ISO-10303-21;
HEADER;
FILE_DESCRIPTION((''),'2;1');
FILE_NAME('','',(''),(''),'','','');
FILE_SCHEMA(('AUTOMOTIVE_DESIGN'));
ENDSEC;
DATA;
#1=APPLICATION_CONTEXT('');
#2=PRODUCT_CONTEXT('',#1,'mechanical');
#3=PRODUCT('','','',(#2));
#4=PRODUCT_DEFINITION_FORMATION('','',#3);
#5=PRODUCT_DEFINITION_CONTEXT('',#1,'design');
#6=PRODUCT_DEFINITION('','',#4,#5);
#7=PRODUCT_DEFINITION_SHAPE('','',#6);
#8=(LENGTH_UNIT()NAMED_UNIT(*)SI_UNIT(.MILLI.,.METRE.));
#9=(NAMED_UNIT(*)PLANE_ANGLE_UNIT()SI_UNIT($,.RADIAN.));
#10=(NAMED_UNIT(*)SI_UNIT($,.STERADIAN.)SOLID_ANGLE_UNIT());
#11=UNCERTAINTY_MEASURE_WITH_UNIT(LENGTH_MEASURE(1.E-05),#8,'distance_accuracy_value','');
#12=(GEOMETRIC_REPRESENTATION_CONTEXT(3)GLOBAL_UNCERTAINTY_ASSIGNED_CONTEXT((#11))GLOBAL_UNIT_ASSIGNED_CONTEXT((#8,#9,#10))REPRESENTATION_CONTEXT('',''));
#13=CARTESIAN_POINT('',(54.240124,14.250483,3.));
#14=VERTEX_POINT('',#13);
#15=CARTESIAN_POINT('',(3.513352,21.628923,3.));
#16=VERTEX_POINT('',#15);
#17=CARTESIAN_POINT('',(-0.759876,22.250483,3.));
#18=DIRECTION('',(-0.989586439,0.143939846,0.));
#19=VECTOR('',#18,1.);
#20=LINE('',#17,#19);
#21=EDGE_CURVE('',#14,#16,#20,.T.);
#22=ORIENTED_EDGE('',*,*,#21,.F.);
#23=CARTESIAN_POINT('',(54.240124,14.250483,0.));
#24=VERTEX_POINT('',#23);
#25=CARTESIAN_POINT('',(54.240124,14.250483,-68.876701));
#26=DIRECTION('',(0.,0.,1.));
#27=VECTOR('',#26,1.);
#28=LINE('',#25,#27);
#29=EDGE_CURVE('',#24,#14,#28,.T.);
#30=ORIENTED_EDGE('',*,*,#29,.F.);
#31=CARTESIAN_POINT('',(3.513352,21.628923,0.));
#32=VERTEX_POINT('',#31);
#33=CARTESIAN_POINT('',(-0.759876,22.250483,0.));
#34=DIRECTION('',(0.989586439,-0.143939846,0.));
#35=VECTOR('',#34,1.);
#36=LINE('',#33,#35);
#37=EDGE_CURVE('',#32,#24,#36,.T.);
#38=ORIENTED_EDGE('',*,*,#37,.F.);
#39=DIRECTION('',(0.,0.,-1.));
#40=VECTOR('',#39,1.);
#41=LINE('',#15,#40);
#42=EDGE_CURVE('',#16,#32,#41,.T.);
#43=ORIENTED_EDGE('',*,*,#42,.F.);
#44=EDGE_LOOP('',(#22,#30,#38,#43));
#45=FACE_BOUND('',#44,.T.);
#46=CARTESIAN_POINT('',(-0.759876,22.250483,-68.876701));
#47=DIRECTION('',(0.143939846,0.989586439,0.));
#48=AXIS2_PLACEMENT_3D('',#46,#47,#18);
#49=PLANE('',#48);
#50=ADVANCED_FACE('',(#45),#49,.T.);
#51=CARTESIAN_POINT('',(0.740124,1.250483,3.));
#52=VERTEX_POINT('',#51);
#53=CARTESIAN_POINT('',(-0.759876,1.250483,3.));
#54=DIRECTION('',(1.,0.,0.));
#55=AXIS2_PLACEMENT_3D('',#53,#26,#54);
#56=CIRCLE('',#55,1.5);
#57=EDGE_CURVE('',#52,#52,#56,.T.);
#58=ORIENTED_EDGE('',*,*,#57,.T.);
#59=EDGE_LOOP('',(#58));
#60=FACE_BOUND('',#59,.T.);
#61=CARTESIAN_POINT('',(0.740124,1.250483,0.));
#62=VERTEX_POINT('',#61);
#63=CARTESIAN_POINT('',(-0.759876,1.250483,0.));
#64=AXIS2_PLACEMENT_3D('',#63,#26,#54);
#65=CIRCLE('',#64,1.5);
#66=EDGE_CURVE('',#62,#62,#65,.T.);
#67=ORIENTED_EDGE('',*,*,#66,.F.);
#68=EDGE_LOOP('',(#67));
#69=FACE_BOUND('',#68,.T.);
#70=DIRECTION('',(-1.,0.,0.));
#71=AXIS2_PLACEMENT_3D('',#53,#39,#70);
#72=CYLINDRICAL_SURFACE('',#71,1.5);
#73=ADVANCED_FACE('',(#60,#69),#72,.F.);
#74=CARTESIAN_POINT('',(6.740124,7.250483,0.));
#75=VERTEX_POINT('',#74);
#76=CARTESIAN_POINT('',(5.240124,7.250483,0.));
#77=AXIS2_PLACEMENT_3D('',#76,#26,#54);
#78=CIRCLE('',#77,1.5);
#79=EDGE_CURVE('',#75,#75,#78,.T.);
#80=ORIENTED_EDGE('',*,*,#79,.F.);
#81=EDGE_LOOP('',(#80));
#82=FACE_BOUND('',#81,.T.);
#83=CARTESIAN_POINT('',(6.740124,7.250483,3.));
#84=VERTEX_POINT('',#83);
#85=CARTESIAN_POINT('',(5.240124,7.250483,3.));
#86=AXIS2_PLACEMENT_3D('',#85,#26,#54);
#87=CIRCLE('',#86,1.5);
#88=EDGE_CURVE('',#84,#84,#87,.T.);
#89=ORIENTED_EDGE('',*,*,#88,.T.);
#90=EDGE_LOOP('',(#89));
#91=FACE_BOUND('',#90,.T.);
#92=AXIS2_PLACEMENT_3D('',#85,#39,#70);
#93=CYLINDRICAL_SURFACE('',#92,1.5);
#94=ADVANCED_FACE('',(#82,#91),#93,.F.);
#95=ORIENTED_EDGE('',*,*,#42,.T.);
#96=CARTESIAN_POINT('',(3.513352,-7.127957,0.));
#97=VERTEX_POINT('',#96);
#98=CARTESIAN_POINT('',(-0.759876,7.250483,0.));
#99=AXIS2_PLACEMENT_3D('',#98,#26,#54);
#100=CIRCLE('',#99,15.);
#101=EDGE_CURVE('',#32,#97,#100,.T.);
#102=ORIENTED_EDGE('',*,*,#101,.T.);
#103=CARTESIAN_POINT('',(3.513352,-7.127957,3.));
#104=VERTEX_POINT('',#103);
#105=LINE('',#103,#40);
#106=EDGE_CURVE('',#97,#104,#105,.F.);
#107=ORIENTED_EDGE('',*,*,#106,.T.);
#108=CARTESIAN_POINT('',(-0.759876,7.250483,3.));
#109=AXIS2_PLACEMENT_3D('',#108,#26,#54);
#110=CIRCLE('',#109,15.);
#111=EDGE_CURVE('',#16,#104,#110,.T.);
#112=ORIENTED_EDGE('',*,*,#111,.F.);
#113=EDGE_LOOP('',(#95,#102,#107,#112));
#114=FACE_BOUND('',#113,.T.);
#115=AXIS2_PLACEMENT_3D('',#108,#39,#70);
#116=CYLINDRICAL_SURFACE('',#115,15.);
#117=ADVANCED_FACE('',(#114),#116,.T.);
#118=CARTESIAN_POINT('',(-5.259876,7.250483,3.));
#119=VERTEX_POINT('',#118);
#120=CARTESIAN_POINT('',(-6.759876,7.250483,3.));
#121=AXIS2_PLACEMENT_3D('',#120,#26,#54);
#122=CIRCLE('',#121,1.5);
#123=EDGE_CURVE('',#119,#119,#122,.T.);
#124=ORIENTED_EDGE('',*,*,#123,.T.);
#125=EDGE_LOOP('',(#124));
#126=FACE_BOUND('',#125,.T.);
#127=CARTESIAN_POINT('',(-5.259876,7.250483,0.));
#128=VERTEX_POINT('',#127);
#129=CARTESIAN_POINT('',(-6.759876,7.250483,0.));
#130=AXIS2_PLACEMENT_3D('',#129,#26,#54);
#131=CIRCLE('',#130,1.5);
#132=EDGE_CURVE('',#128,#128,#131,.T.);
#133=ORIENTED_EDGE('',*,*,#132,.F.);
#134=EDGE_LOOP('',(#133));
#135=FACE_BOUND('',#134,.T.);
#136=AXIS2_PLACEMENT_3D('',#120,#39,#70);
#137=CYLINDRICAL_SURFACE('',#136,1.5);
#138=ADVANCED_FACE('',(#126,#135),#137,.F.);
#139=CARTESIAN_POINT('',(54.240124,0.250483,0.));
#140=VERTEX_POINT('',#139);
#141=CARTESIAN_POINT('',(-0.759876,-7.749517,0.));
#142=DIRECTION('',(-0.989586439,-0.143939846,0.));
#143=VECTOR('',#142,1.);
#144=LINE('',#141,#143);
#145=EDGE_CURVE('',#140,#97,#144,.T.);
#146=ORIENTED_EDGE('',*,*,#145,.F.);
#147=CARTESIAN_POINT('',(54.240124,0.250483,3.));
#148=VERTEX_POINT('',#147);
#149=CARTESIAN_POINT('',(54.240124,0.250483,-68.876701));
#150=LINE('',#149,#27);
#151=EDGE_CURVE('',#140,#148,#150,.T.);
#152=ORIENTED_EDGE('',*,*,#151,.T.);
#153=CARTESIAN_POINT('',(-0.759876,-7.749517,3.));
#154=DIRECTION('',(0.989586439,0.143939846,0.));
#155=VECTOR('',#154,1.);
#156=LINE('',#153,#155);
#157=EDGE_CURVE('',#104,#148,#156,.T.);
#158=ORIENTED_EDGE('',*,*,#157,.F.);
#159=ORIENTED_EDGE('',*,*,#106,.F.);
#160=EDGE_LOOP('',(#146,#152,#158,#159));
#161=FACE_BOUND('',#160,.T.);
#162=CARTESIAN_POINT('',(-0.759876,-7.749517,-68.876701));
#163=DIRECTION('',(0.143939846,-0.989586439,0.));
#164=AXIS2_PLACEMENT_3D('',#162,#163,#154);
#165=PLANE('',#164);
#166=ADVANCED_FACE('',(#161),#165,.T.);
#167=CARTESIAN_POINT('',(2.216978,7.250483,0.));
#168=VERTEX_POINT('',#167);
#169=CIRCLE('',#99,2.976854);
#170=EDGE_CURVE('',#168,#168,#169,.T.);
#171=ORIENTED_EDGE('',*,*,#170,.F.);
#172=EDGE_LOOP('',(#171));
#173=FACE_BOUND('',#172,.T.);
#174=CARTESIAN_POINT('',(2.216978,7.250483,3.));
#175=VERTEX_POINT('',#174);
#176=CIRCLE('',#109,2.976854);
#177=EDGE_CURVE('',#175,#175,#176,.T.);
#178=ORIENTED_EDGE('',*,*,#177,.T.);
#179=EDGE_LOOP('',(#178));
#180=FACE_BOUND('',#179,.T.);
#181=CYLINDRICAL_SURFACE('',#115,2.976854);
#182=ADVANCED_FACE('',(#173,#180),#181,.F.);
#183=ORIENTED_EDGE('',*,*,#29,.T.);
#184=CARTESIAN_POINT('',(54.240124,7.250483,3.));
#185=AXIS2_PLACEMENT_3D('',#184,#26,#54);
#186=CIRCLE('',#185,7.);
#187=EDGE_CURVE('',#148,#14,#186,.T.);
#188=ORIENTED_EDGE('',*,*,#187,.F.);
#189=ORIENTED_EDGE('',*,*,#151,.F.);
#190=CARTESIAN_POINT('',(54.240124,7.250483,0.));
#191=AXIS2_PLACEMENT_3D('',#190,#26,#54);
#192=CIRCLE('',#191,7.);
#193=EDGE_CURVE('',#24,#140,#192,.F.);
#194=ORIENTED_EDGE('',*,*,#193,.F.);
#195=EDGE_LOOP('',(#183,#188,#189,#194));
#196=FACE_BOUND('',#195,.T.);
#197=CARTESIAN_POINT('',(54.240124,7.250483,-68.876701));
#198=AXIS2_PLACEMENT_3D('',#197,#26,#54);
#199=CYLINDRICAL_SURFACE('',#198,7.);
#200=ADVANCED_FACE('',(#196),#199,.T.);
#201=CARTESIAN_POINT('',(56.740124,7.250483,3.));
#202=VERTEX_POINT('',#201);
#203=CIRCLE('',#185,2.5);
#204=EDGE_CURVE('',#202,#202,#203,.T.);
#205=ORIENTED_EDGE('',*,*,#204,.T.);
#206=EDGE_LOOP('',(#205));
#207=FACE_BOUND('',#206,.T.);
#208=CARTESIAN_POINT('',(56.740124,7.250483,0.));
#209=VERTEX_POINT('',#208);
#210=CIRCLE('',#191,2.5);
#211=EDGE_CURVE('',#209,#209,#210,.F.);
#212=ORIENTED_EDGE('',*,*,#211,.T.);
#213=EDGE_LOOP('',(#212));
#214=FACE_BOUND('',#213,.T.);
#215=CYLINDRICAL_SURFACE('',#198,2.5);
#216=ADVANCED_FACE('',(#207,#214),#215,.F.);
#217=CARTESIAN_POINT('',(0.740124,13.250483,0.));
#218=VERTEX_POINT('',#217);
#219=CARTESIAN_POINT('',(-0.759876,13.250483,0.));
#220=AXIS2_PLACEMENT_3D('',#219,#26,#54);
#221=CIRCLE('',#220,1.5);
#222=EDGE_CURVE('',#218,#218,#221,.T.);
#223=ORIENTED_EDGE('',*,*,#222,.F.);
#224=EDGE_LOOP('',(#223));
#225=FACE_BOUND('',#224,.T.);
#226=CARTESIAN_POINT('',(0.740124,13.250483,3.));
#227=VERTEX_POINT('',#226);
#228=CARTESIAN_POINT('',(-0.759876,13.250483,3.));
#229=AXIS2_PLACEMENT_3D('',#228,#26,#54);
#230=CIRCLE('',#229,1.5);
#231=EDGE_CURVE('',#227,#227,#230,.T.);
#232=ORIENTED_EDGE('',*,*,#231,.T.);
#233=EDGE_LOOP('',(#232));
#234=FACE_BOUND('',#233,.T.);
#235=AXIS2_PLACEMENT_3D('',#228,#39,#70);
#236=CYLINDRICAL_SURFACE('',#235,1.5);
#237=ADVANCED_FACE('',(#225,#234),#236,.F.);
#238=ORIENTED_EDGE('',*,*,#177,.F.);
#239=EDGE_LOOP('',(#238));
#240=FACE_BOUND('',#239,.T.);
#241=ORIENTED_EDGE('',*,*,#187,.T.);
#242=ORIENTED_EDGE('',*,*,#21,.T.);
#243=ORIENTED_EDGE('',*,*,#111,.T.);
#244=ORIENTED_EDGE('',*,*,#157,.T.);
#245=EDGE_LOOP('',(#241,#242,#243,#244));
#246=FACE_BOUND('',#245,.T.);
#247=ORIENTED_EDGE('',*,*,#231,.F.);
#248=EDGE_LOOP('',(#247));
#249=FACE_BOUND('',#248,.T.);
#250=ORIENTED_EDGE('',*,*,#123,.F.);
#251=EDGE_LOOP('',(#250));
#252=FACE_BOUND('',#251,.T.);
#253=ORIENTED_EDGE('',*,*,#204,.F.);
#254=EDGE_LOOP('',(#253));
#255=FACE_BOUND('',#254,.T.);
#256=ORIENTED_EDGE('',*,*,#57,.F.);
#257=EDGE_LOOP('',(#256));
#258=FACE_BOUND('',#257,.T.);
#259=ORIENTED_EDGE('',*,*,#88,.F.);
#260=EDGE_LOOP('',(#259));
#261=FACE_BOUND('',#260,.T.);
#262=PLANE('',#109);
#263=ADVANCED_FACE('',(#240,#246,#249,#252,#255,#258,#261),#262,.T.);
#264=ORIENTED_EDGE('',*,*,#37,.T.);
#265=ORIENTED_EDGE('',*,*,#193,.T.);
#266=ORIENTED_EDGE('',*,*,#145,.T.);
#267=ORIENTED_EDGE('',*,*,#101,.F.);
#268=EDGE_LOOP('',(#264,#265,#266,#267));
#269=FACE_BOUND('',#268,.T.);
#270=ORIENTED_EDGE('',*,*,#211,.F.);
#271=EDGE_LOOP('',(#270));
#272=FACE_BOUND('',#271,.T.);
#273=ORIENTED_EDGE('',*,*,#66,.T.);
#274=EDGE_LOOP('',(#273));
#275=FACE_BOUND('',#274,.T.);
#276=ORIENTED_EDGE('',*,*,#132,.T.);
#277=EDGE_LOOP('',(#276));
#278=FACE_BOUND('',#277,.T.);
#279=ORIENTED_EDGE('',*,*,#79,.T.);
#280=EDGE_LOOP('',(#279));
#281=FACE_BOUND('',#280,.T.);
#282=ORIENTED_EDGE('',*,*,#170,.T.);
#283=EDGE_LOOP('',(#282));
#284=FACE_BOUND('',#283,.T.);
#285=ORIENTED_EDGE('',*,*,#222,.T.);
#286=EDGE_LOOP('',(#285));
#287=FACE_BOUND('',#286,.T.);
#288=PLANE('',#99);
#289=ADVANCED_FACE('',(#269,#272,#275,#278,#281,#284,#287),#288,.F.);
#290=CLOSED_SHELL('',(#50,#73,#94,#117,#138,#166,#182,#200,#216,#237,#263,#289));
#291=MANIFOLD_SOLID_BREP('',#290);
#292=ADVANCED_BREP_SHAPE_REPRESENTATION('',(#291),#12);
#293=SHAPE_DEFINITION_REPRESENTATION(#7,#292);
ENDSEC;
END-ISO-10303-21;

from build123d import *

# Parameters (mm, degrees)
SKETCH1_R           = 15
SKETCH1_R_2         = 2.976854353
SKETCH1_R_3         = 1.5
BOSS_EXTRUDE1_DEPTH = 3
SKETCH2_R           = 2.5
BOSS_EXTRUDE2_DEPTH = 3


with BuildPart() as part:
    # Sketch1 → Boss-Extrude1 (new body)
    with BuildSketch(Plane.XY):
        with Locations((-0.759875944, 7.250482965)):
            Circle(SKETCH1_R)
        with Locations((-0.759875944, 7.250482965)):
            Circle(SKETCH1_R_2, mode=Mode.SUBTRACT)
        with Locations((-0.759875944, 13.250482965)):
            Circle(SKETCH1_R_3, mode=Mode.SUBTRACT)
        with Locations((-6.759875944, 7.250482965)):
            Circle(SKETCH1_R_3, mode=Mode.SUBTRACT)
        with Locations((-0.759875944, 1.250482965)):
            Circle(SKETCH1_R_3, mode=Mode.SUBTRACT)
        with Locations((5.240124056, 7.250482965)):
            Circle(SKETCH1_R_3, mode=Mode.SUBTRACT)
    extrude(amount=BOSS_EXTRUDE1_DEPTH)

    # Sketch2 → Boss-Extrude2 (add)
    with BuildSketch(Plane.XY.offset(3)):
        with BuildLine():
            Line((-0.759875944, 22.250482965), (54.240124056, 14.250482965))
            ThreePointArc((54.240124056, 14.250482965), (61.240124056, 7.250482965), (54.240124056, 0.250482965))
            Line((54.240124056, 0.250482965), (-0.759875944, -7.749517035))
            ThreePointArc((-0.759875944, -7.749517035), (8.423325109, 7.250482965), (-0.759875944, 22.250482965))
        make_face()
        with Locations((54.240124056, 7.250482965)):
            Circle(SKETCH2_R, mode=Mode.SUBTRACT)
    extrude(amount=-BOSS_EXTRUDE2_DEPTH)


solid = part.part
